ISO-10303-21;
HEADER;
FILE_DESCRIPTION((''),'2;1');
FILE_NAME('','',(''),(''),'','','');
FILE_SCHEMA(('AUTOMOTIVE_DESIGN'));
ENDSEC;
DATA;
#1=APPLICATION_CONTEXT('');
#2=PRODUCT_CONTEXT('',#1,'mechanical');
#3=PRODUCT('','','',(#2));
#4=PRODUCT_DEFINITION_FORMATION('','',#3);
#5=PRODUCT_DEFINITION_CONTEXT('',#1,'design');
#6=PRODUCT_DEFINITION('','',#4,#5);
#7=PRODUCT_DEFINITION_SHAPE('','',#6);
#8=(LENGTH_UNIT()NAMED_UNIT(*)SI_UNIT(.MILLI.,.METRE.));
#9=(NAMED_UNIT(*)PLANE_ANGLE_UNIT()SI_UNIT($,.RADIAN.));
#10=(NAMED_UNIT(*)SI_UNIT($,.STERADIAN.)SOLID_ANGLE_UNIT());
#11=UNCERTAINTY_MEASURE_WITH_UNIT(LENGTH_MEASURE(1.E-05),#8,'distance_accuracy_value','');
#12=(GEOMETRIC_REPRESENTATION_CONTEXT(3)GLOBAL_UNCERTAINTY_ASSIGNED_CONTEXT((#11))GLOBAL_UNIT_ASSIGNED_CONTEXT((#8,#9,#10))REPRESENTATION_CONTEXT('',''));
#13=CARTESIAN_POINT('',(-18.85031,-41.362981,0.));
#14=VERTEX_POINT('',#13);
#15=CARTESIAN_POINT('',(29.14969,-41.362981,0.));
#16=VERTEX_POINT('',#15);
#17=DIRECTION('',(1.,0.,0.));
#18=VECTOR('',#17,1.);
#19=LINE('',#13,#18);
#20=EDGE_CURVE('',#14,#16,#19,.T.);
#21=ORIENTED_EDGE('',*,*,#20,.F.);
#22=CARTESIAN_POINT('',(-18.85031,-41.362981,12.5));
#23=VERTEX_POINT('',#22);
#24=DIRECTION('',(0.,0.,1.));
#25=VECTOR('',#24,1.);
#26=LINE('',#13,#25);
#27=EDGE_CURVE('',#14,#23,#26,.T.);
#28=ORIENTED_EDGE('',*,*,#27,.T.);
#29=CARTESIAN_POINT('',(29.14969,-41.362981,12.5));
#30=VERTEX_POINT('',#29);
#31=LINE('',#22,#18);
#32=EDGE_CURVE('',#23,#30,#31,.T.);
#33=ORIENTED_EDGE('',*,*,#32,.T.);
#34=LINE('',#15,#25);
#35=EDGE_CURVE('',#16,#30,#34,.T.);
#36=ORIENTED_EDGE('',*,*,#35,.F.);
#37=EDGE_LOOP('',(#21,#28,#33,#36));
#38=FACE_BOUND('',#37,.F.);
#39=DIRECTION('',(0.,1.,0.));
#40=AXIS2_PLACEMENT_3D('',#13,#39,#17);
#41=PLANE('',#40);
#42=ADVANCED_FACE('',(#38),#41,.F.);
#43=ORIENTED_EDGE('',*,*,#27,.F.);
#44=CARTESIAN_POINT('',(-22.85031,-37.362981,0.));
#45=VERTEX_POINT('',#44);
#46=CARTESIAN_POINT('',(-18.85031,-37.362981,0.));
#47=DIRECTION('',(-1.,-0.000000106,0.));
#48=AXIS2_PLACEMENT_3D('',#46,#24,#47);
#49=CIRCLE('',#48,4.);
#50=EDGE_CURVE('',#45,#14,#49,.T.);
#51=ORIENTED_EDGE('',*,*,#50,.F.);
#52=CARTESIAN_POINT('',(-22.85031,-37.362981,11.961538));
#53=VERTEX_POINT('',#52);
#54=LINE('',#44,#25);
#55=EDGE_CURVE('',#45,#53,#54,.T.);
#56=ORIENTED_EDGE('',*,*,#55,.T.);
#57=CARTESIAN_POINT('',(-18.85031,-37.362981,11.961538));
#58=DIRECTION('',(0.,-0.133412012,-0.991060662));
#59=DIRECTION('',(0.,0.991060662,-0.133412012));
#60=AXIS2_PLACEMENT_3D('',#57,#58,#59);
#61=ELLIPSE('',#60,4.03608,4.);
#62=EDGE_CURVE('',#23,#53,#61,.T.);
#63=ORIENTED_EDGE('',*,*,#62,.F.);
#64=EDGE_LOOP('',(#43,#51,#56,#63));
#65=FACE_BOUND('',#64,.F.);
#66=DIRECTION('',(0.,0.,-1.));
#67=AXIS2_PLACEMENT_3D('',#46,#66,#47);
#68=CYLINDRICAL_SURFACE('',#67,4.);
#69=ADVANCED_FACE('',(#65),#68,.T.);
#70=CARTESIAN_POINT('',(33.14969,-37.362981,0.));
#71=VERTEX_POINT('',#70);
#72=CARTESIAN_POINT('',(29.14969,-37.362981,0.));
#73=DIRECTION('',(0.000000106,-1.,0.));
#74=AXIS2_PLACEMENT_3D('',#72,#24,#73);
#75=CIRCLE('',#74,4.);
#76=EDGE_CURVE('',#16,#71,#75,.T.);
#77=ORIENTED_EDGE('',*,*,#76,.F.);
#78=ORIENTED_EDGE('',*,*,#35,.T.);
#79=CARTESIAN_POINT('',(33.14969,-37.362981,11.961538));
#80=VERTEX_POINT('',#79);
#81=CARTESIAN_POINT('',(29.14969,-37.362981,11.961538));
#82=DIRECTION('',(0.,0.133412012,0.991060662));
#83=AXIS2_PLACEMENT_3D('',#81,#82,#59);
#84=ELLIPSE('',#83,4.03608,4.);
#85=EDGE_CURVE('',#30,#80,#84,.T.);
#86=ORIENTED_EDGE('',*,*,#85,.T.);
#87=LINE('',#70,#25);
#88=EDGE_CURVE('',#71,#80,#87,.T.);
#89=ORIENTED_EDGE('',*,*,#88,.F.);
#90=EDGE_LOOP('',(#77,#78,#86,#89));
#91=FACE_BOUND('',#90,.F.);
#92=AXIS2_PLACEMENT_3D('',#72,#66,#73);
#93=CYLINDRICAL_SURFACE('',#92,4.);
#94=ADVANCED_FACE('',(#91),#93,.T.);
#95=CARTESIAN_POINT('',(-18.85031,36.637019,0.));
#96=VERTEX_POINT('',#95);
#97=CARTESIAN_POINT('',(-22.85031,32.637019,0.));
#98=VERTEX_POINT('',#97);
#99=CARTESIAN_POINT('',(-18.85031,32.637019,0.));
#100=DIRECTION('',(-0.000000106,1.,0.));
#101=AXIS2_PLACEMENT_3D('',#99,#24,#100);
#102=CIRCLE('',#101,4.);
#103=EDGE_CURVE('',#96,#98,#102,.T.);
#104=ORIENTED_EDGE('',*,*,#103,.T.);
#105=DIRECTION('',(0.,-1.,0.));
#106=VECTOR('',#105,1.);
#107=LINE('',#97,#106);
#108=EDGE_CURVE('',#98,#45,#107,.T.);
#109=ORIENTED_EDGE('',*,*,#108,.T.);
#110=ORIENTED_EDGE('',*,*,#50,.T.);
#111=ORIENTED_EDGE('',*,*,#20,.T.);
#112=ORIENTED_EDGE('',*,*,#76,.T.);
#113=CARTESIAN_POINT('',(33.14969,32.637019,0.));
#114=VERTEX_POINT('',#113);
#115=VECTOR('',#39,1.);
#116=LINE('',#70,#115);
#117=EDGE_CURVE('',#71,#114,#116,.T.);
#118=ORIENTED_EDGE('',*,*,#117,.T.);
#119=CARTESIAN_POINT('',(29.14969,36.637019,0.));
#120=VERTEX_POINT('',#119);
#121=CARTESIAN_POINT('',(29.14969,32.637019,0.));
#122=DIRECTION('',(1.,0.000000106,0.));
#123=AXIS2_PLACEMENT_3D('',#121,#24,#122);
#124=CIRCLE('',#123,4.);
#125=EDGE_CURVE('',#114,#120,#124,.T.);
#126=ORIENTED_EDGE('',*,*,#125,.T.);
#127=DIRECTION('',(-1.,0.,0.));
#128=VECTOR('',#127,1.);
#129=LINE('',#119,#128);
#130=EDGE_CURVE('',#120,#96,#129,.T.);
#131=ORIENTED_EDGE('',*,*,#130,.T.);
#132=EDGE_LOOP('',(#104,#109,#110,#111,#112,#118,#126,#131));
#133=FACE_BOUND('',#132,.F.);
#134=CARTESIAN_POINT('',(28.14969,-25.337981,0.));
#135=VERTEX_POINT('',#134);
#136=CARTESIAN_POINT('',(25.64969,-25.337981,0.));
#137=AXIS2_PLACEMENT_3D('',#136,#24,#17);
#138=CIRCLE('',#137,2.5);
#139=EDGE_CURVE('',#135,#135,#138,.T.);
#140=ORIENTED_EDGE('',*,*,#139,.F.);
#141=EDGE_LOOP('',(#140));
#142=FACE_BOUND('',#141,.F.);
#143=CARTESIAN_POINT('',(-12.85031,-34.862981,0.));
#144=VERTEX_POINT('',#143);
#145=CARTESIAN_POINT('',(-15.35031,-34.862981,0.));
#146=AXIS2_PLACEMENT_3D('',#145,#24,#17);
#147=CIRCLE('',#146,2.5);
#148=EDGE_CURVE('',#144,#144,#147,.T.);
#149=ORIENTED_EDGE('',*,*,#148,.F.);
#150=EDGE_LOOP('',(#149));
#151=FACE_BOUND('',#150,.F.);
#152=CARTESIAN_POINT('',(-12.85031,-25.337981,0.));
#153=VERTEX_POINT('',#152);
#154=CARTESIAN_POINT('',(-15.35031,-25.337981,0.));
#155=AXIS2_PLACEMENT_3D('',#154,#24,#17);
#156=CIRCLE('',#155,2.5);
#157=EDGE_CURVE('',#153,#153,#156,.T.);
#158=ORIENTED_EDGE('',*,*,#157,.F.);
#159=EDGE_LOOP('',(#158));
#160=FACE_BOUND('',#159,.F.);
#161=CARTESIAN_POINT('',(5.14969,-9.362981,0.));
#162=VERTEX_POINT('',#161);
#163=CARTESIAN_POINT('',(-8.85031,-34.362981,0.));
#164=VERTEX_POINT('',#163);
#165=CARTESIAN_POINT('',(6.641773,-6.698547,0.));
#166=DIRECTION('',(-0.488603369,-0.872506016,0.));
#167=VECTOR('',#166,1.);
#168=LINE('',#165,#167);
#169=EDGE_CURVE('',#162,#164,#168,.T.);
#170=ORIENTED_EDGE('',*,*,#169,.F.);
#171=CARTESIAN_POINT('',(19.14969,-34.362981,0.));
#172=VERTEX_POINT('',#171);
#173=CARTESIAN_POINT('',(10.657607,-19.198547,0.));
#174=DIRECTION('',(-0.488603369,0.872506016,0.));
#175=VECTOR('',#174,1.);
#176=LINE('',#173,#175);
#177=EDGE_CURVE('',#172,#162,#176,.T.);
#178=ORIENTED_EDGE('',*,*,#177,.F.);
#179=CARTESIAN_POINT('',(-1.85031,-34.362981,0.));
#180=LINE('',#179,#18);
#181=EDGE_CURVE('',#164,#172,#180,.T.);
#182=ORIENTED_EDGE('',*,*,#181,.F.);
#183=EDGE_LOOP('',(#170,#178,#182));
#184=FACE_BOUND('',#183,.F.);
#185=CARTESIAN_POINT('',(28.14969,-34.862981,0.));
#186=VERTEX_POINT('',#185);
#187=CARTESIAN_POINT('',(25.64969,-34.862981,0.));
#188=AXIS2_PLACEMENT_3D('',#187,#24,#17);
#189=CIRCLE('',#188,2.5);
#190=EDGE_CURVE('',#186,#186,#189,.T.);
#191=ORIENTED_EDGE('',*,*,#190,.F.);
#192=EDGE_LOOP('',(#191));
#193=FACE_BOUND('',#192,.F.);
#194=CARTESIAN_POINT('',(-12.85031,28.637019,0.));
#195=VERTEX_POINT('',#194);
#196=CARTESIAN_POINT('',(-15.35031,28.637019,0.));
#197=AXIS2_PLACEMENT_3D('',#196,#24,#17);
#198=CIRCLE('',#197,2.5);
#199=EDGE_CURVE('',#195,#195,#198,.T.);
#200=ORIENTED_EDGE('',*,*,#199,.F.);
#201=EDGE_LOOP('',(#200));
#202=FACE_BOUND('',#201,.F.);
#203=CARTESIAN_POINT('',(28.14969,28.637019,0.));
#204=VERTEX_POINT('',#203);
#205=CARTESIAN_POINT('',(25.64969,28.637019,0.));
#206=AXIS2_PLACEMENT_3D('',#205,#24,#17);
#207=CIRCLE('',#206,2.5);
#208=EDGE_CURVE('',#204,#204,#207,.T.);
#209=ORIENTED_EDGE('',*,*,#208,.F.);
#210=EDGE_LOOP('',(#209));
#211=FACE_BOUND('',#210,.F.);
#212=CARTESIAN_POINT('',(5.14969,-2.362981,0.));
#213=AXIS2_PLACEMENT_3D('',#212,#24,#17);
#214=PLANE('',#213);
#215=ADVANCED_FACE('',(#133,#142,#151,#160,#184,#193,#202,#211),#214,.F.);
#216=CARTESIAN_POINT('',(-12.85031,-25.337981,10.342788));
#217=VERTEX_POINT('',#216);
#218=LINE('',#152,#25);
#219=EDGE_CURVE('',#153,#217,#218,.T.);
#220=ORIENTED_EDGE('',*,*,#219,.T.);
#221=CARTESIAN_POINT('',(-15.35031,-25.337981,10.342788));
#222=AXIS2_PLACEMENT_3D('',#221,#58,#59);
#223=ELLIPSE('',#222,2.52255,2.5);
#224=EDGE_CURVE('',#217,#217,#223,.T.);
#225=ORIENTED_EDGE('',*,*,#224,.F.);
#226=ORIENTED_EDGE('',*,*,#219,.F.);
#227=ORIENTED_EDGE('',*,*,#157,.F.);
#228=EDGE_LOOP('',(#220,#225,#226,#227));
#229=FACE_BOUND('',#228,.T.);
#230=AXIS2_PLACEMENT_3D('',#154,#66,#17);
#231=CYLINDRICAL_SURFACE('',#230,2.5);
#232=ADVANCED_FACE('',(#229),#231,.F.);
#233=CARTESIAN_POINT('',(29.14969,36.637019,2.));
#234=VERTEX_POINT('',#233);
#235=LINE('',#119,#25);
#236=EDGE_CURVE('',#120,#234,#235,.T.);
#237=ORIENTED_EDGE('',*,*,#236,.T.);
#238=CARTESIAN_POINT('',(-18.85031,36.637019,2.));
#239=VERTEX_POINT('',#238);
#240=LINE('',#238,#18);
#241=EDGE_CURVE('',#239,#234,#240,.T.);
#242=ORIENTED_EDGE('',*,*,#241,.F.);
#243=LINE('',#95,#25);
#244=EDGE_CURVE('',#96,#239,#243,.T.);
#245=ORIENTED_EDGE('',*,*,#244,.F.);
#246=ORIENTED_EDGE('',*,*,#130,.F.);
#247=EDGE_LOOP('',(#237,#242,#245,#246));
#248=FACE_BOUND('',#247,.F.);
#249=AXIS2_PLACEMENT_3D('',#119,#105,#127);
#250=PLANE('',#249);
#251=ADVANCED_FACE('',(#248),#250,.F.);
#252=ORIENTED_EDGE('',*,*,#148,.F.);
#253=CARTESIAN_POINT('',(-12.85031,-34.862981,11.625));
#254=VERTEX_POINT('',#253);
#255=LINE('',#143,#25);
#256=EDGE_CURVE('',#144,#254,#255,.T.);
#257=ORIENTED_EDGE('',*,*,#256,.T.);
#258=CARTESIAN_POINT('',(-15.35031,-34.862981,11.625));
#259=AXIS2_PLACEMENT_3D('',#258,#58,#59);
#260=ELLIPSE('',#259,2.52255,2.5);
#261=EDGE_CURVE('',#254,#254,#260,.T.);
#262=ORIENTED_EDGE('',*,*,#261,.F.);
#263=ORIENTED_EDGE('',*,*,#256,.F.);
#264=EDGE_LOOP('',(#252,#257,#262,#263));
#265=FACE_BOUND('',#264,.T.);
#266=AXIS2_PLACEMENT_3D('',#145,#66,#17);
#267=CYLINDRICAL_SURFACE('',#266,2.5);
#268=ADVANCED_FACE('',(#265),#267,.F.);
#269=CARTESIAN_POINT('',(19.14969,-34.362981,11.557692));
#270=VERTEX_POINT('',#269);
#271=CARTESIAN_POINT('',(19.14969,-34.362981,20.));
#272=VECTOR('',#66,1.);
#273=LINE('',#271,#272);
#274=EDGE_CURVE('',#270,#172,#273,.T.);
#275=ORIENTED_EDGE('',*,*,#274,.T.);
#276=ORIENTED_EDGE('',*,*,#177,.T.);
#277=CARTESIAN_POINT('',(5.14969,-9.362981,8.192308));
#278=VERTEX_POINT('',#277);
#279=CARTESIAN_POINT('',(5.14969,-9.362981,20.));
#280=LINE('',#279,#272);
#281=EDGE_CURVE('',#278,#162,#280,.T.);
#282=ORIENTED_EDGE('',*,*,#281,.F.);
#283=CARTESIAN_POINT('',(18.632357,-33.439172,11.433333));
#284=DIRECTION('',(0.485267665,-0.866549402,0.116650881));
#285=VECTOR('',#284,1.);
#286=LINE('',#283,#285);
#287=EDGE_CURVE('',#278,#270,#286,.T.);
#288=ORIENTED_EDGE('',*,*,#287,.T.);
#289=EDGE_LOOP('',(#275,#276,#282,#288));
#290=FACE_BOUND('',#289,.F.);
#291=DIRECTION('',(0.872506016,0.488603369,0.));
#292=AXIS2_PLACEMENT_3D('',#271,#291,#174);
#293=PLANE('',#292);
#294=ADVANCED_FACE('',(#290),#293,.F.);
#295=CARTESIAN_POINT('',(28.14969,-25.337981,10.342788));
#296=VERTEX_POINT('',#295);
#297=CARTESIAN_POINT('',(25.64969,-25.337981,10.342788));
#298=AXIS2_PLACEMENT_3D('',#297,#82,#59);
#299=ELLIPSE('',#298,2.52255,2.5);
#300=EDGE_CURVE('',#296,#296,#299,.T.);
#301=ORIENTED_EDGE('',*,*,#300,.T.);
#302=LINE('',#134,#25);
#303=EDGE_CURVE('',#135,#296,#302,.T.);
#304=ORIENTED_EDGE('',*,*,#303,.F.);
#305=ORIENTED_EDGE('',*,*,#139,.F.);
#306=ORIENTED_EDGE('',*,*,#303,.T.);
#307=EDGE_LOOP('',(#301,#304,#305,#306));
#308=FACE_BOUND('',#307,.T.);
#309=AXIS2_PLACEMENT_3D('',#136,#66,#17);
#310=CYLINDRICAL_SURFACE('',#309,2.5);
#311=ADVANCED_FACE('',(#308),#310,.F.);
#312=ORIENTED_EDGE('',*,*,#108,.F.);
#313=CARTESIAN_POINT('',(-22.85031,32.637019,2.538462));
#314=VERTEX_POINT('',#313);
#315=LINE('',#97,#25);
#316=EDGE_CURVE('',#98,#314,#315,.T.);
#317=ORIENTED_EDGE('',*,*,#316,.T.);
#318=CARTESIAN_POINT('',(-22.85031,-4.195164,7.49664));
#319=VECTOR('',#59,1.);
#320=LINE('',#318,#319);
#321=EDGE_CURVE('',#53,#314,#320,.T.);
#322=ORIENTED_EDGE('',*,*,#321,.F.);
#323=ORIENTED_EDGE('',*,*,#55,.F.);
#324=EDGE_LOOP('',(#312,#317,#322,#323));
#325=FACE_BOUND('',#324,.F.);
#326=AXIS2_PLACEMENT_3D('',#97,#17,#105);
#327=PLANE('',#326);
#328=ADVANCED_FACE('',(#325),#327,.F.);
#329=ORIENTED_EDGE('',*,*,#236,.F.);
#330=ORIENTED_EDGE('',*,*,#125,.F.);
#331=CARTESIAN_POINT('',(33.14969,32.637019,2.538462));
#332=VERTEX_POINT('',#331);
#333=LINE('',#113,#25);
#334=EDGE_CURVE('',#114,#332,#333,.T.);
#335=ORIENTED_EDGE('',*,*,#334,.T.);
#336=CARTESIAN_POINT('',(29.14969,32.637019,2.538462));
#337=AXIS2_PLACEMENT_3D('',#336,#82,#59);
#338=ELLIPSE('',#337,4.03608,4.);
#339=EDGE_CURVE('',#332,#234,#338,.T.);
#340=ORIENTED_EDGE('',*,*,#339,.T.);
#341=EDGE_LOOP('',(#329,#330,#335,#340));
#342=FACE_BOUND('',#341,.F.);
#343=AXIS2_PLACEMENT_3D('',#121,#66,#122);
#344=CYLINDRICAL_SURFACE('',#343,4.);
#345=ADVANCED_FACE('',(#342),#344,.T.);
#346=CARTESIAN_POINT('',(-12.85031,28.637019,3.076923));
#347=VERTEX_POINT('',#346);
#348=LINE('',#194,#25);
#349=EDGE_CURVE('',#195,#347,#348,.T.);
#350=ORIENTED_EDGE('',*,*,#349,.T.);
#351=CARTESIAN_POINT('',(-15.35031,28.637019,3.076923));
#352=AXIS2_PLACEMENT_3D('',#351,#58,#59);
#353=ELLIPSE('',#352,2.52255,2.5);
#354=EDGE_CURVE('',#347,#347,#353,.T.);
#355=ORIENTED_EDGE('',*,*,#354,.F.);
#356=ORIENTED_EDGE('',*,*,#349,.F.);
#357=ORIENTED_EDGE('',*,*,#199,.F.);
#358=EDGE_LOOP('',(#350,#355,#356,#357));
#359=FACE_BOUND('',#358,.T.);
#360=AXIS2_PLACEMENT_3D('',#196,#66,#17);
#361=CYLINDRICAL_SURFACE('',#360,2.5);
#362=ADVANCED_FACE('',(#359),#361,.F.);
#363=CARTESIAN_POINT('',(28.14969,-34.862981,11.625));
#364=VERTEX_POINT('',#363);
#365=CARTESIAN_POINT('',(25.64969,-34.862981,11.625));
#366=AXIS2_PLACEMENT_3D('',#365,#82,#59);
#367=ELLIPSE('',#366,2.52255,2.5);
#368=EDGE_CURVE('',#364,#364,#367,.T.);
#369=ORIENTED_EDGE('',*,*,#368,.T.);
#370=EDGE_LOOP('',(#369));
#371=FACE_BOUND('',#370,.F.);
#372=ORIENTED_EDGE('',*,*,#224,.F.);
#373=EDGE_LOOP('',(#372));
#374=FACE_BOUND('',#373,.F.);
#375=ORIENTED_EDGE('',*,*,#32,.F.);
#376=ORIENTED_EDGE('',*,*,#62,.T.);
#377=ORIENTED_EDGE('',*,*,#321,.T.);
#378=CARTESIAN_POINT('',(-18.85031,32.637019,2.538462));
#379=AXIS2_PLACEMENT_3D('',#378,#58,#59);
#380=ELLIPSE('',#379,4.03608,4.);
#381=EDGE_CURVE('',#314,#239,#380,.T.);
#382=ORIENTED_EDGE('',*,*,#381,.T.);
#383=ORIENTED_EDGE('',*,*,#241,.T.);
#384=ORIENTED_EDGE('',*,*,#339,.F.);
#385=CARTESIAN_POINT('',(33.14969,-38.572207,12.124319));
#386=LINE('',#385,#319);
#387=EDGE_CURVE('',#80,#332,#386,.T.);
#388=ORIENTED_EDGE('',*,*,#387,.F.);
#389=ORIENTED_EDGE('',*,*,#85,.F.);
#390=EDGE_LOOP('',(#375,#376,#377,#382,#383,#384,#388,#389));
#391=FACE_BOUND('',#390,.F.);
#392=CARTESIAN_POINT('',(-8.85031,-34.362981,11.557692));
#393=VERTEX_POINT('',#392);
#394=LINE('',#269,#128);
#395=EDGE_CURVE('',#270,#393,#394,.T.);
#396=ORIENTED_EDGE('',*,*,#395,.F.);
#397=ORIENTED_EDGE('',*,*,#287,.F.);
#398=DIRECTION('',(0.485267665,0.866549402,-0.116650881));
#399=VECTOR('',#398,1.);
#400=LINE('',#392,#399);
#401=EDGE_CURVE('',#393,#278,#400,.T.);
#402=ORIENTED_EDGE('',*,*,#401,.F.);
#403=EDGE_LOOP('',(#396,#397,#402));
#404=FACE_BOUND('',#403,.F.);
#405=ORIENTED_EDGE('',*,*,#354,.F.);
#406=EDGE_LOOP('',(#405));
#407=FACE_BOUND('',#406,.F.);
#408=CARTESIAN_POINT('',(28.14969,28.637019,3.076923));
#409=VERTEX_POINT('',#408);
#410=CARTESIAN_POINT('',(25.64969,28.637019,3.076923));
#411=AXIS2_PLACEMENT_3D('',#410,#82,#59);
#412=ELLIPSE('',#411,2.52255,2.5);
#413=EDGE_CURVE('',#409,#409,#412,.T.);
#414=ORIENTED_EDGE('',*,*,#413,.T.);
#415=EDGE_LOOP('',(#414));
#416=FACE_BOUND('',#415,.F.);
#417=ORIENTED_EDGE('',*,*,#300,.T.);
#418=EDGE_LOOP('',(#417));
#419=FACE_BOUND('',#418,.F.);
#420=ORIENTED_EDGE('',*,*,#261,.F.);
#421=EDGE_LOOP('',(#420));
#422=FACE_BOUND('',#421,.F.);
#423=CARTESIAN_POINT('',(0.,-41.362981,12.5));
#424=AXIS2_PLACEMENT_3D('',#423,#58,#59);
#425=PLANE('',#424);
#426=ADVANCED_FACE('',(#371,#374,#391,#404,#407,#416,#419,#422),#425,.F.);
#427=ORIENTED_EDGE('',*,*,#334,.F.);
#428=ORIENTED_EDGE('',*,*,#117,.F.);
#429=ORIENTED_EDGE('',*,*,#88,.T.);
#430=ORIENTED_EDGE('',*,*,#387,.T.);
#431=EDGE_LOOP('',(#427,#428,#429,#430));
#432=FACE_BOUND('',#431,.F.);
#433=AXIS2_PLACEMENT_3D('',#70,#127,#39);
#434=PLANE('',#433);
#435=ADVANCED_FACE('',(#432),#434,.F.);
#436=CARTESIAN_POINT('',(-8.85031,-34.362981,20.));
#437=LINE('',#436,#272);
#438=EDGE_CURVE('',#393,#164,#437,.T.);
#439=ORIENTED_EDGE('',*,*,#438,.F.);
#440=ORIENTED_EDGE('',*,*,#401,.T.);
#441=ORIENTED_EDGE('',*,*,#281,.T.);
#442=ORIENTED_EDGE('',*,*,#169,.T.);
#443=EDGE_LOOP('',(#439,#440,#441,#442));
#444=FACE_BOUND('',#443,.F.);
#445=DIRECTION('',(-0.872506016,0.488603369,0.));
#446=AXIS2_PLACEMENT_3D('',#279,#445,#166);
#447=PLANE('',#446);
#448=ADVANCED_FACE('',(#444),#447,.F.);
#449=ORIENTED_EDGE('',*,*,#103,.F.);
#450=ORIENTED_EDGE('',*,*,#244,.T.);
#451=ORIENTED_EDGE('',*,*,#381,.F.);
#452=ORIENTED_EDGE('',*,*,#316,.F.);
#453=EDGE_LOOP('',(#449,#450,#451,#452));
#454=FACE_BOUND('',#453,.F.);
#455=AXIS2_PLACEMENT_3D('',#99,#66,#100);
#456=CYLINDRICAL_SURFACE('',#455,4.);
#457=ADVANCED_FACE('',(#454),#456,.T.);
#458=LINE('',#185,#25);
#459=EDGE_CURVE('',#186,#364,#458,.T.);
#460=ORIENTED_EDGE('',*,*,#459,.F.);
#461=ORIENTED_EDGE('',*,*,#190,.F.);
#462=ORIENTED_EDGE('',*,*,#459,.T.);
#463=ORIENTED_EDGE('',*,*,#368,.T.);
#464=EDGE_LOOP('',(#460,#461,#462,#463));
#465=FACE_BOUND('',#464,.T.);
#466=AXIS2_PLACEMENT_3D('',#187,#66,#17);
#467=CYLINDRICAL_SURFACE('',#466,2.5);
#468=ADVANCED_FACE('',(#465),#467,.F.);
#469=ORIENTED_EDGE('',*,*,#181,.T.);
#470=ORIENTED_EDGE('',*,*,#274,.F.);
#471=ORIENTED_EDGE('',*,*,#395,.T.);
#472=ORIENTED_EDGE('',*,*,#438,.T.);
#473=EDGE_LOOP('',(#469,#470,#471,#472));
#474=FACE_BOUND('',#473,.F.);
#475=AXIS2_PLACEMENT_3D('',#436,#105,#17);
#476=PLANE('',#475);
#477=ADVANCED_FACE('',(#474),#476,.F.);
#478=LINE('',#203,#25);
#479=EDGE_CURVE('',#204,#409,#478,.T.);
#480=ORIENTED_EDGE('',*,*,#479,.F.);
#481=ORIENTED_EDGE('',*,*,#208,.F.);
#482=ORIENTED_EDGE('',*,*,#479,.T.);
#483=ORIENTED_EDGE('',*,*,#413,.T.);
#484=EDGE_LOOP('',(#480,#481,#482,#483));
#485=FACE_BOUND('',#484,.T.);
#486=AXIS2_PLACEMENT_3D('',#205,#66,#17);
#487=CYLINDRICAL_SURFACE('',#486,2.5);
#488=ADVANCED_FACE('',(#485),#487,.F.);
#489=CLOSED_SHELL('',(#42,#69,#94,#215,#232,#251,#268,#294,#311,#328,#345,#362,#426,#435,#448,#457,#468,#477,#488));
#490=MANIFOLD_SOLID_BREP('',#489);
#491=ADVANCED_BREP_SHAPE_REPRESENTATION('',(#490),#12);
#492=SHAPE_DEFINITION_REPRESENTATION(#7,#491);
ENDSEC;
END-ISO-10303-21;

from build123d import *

# Parameters (mm, degrees)
F0_R          = 2.5
F1_DEPTH      = 20
F3_DEPTH      = 25
F5_DEPTH      = 33.15069
F5_DEPTH_BACK = 22.85131


with BuildPart() as f1:
    # F0 (on Top) → F1 (new body)
    with BuildSketch(Plane.XY):
        with BuildLine():
            Line((29.14969, 36.637019), (-18.85031, 36.637019))
            ThreePointArc((-18.85031, 36.637019), (-21.678737, 35.465446), (-22.85031, 32.637019))
            Line((-22.85031, 32.637019), (-22.85031, -37.362981))
            ThreePointArc((-22.85031, -37.362981), (-21.678737, -40.191408), (-18.85031, -41.362981))
            Line((-18.85031, -41.362981), (29.14969, -41.362981))
            ThreePointArc((29.14969, -41.362981), (31.978117, -40.191408), (33.14969, -37.362981))
            Line((33.14969, -37.362981), (33.14969, 32.637019))
            ThreePointArc((33.14969, 32.637019), (31.978117, 35.465446), (29.14969, 36.637019))
        make_face()
        with Locations((-15.35031, -34.862981)):
            Circle(F0_R, mode=Mode.SUBTRACT)
        with Locations((-15.35031, -25.337981)):
            Circle(F0_R, mode=Mode.SUBTRACT)
        with Locations((25.64969, -34.862981)):
            Circle(F0_R, mode=Mode.SUBTRACT)
        with Locations((25.64969, -25.337981)):
            Circle(F0_R, mode=Mode.SUBTRACT)
        with Locations((-15.35031, 28.637019)):
            Circle(F0_R, mode=Mode.SUBTRACT)
        with Locations((25.64969, 28.637019)):
            Circle(F0_R, mode=Mode.SUBTRACT)
    extrude(amount=F1_DEPTH)

    # F2 (on face) → F3 (cut)
    with BuildSketch(Plane.XY.offset(20)):
        Polygon((5.14969, -9.362981), (-8.85031, -34.362981), (19.14969, -34.362981), align=None)
    extrude(amount=-F3_DEPTH, mode=Mode.SUBTRACT)

    # F4 (on Right) → F5 (cut, two sides)
    with BuildSketch(Plane.YZ) as f5_sk:
        Polygon((36.637019, 2), (36.637019, 20), (-41.362981, 20), (-41.362981, 12.5), align=None)
    extrude(amount=F5_DEPTH, mode=Mode.SUBTRACT)
    extrude(f5_sk.sketch, amount=-F5_DEPTH_BACK, mode=Mode.SUBTRACT)


solid = f1.part
